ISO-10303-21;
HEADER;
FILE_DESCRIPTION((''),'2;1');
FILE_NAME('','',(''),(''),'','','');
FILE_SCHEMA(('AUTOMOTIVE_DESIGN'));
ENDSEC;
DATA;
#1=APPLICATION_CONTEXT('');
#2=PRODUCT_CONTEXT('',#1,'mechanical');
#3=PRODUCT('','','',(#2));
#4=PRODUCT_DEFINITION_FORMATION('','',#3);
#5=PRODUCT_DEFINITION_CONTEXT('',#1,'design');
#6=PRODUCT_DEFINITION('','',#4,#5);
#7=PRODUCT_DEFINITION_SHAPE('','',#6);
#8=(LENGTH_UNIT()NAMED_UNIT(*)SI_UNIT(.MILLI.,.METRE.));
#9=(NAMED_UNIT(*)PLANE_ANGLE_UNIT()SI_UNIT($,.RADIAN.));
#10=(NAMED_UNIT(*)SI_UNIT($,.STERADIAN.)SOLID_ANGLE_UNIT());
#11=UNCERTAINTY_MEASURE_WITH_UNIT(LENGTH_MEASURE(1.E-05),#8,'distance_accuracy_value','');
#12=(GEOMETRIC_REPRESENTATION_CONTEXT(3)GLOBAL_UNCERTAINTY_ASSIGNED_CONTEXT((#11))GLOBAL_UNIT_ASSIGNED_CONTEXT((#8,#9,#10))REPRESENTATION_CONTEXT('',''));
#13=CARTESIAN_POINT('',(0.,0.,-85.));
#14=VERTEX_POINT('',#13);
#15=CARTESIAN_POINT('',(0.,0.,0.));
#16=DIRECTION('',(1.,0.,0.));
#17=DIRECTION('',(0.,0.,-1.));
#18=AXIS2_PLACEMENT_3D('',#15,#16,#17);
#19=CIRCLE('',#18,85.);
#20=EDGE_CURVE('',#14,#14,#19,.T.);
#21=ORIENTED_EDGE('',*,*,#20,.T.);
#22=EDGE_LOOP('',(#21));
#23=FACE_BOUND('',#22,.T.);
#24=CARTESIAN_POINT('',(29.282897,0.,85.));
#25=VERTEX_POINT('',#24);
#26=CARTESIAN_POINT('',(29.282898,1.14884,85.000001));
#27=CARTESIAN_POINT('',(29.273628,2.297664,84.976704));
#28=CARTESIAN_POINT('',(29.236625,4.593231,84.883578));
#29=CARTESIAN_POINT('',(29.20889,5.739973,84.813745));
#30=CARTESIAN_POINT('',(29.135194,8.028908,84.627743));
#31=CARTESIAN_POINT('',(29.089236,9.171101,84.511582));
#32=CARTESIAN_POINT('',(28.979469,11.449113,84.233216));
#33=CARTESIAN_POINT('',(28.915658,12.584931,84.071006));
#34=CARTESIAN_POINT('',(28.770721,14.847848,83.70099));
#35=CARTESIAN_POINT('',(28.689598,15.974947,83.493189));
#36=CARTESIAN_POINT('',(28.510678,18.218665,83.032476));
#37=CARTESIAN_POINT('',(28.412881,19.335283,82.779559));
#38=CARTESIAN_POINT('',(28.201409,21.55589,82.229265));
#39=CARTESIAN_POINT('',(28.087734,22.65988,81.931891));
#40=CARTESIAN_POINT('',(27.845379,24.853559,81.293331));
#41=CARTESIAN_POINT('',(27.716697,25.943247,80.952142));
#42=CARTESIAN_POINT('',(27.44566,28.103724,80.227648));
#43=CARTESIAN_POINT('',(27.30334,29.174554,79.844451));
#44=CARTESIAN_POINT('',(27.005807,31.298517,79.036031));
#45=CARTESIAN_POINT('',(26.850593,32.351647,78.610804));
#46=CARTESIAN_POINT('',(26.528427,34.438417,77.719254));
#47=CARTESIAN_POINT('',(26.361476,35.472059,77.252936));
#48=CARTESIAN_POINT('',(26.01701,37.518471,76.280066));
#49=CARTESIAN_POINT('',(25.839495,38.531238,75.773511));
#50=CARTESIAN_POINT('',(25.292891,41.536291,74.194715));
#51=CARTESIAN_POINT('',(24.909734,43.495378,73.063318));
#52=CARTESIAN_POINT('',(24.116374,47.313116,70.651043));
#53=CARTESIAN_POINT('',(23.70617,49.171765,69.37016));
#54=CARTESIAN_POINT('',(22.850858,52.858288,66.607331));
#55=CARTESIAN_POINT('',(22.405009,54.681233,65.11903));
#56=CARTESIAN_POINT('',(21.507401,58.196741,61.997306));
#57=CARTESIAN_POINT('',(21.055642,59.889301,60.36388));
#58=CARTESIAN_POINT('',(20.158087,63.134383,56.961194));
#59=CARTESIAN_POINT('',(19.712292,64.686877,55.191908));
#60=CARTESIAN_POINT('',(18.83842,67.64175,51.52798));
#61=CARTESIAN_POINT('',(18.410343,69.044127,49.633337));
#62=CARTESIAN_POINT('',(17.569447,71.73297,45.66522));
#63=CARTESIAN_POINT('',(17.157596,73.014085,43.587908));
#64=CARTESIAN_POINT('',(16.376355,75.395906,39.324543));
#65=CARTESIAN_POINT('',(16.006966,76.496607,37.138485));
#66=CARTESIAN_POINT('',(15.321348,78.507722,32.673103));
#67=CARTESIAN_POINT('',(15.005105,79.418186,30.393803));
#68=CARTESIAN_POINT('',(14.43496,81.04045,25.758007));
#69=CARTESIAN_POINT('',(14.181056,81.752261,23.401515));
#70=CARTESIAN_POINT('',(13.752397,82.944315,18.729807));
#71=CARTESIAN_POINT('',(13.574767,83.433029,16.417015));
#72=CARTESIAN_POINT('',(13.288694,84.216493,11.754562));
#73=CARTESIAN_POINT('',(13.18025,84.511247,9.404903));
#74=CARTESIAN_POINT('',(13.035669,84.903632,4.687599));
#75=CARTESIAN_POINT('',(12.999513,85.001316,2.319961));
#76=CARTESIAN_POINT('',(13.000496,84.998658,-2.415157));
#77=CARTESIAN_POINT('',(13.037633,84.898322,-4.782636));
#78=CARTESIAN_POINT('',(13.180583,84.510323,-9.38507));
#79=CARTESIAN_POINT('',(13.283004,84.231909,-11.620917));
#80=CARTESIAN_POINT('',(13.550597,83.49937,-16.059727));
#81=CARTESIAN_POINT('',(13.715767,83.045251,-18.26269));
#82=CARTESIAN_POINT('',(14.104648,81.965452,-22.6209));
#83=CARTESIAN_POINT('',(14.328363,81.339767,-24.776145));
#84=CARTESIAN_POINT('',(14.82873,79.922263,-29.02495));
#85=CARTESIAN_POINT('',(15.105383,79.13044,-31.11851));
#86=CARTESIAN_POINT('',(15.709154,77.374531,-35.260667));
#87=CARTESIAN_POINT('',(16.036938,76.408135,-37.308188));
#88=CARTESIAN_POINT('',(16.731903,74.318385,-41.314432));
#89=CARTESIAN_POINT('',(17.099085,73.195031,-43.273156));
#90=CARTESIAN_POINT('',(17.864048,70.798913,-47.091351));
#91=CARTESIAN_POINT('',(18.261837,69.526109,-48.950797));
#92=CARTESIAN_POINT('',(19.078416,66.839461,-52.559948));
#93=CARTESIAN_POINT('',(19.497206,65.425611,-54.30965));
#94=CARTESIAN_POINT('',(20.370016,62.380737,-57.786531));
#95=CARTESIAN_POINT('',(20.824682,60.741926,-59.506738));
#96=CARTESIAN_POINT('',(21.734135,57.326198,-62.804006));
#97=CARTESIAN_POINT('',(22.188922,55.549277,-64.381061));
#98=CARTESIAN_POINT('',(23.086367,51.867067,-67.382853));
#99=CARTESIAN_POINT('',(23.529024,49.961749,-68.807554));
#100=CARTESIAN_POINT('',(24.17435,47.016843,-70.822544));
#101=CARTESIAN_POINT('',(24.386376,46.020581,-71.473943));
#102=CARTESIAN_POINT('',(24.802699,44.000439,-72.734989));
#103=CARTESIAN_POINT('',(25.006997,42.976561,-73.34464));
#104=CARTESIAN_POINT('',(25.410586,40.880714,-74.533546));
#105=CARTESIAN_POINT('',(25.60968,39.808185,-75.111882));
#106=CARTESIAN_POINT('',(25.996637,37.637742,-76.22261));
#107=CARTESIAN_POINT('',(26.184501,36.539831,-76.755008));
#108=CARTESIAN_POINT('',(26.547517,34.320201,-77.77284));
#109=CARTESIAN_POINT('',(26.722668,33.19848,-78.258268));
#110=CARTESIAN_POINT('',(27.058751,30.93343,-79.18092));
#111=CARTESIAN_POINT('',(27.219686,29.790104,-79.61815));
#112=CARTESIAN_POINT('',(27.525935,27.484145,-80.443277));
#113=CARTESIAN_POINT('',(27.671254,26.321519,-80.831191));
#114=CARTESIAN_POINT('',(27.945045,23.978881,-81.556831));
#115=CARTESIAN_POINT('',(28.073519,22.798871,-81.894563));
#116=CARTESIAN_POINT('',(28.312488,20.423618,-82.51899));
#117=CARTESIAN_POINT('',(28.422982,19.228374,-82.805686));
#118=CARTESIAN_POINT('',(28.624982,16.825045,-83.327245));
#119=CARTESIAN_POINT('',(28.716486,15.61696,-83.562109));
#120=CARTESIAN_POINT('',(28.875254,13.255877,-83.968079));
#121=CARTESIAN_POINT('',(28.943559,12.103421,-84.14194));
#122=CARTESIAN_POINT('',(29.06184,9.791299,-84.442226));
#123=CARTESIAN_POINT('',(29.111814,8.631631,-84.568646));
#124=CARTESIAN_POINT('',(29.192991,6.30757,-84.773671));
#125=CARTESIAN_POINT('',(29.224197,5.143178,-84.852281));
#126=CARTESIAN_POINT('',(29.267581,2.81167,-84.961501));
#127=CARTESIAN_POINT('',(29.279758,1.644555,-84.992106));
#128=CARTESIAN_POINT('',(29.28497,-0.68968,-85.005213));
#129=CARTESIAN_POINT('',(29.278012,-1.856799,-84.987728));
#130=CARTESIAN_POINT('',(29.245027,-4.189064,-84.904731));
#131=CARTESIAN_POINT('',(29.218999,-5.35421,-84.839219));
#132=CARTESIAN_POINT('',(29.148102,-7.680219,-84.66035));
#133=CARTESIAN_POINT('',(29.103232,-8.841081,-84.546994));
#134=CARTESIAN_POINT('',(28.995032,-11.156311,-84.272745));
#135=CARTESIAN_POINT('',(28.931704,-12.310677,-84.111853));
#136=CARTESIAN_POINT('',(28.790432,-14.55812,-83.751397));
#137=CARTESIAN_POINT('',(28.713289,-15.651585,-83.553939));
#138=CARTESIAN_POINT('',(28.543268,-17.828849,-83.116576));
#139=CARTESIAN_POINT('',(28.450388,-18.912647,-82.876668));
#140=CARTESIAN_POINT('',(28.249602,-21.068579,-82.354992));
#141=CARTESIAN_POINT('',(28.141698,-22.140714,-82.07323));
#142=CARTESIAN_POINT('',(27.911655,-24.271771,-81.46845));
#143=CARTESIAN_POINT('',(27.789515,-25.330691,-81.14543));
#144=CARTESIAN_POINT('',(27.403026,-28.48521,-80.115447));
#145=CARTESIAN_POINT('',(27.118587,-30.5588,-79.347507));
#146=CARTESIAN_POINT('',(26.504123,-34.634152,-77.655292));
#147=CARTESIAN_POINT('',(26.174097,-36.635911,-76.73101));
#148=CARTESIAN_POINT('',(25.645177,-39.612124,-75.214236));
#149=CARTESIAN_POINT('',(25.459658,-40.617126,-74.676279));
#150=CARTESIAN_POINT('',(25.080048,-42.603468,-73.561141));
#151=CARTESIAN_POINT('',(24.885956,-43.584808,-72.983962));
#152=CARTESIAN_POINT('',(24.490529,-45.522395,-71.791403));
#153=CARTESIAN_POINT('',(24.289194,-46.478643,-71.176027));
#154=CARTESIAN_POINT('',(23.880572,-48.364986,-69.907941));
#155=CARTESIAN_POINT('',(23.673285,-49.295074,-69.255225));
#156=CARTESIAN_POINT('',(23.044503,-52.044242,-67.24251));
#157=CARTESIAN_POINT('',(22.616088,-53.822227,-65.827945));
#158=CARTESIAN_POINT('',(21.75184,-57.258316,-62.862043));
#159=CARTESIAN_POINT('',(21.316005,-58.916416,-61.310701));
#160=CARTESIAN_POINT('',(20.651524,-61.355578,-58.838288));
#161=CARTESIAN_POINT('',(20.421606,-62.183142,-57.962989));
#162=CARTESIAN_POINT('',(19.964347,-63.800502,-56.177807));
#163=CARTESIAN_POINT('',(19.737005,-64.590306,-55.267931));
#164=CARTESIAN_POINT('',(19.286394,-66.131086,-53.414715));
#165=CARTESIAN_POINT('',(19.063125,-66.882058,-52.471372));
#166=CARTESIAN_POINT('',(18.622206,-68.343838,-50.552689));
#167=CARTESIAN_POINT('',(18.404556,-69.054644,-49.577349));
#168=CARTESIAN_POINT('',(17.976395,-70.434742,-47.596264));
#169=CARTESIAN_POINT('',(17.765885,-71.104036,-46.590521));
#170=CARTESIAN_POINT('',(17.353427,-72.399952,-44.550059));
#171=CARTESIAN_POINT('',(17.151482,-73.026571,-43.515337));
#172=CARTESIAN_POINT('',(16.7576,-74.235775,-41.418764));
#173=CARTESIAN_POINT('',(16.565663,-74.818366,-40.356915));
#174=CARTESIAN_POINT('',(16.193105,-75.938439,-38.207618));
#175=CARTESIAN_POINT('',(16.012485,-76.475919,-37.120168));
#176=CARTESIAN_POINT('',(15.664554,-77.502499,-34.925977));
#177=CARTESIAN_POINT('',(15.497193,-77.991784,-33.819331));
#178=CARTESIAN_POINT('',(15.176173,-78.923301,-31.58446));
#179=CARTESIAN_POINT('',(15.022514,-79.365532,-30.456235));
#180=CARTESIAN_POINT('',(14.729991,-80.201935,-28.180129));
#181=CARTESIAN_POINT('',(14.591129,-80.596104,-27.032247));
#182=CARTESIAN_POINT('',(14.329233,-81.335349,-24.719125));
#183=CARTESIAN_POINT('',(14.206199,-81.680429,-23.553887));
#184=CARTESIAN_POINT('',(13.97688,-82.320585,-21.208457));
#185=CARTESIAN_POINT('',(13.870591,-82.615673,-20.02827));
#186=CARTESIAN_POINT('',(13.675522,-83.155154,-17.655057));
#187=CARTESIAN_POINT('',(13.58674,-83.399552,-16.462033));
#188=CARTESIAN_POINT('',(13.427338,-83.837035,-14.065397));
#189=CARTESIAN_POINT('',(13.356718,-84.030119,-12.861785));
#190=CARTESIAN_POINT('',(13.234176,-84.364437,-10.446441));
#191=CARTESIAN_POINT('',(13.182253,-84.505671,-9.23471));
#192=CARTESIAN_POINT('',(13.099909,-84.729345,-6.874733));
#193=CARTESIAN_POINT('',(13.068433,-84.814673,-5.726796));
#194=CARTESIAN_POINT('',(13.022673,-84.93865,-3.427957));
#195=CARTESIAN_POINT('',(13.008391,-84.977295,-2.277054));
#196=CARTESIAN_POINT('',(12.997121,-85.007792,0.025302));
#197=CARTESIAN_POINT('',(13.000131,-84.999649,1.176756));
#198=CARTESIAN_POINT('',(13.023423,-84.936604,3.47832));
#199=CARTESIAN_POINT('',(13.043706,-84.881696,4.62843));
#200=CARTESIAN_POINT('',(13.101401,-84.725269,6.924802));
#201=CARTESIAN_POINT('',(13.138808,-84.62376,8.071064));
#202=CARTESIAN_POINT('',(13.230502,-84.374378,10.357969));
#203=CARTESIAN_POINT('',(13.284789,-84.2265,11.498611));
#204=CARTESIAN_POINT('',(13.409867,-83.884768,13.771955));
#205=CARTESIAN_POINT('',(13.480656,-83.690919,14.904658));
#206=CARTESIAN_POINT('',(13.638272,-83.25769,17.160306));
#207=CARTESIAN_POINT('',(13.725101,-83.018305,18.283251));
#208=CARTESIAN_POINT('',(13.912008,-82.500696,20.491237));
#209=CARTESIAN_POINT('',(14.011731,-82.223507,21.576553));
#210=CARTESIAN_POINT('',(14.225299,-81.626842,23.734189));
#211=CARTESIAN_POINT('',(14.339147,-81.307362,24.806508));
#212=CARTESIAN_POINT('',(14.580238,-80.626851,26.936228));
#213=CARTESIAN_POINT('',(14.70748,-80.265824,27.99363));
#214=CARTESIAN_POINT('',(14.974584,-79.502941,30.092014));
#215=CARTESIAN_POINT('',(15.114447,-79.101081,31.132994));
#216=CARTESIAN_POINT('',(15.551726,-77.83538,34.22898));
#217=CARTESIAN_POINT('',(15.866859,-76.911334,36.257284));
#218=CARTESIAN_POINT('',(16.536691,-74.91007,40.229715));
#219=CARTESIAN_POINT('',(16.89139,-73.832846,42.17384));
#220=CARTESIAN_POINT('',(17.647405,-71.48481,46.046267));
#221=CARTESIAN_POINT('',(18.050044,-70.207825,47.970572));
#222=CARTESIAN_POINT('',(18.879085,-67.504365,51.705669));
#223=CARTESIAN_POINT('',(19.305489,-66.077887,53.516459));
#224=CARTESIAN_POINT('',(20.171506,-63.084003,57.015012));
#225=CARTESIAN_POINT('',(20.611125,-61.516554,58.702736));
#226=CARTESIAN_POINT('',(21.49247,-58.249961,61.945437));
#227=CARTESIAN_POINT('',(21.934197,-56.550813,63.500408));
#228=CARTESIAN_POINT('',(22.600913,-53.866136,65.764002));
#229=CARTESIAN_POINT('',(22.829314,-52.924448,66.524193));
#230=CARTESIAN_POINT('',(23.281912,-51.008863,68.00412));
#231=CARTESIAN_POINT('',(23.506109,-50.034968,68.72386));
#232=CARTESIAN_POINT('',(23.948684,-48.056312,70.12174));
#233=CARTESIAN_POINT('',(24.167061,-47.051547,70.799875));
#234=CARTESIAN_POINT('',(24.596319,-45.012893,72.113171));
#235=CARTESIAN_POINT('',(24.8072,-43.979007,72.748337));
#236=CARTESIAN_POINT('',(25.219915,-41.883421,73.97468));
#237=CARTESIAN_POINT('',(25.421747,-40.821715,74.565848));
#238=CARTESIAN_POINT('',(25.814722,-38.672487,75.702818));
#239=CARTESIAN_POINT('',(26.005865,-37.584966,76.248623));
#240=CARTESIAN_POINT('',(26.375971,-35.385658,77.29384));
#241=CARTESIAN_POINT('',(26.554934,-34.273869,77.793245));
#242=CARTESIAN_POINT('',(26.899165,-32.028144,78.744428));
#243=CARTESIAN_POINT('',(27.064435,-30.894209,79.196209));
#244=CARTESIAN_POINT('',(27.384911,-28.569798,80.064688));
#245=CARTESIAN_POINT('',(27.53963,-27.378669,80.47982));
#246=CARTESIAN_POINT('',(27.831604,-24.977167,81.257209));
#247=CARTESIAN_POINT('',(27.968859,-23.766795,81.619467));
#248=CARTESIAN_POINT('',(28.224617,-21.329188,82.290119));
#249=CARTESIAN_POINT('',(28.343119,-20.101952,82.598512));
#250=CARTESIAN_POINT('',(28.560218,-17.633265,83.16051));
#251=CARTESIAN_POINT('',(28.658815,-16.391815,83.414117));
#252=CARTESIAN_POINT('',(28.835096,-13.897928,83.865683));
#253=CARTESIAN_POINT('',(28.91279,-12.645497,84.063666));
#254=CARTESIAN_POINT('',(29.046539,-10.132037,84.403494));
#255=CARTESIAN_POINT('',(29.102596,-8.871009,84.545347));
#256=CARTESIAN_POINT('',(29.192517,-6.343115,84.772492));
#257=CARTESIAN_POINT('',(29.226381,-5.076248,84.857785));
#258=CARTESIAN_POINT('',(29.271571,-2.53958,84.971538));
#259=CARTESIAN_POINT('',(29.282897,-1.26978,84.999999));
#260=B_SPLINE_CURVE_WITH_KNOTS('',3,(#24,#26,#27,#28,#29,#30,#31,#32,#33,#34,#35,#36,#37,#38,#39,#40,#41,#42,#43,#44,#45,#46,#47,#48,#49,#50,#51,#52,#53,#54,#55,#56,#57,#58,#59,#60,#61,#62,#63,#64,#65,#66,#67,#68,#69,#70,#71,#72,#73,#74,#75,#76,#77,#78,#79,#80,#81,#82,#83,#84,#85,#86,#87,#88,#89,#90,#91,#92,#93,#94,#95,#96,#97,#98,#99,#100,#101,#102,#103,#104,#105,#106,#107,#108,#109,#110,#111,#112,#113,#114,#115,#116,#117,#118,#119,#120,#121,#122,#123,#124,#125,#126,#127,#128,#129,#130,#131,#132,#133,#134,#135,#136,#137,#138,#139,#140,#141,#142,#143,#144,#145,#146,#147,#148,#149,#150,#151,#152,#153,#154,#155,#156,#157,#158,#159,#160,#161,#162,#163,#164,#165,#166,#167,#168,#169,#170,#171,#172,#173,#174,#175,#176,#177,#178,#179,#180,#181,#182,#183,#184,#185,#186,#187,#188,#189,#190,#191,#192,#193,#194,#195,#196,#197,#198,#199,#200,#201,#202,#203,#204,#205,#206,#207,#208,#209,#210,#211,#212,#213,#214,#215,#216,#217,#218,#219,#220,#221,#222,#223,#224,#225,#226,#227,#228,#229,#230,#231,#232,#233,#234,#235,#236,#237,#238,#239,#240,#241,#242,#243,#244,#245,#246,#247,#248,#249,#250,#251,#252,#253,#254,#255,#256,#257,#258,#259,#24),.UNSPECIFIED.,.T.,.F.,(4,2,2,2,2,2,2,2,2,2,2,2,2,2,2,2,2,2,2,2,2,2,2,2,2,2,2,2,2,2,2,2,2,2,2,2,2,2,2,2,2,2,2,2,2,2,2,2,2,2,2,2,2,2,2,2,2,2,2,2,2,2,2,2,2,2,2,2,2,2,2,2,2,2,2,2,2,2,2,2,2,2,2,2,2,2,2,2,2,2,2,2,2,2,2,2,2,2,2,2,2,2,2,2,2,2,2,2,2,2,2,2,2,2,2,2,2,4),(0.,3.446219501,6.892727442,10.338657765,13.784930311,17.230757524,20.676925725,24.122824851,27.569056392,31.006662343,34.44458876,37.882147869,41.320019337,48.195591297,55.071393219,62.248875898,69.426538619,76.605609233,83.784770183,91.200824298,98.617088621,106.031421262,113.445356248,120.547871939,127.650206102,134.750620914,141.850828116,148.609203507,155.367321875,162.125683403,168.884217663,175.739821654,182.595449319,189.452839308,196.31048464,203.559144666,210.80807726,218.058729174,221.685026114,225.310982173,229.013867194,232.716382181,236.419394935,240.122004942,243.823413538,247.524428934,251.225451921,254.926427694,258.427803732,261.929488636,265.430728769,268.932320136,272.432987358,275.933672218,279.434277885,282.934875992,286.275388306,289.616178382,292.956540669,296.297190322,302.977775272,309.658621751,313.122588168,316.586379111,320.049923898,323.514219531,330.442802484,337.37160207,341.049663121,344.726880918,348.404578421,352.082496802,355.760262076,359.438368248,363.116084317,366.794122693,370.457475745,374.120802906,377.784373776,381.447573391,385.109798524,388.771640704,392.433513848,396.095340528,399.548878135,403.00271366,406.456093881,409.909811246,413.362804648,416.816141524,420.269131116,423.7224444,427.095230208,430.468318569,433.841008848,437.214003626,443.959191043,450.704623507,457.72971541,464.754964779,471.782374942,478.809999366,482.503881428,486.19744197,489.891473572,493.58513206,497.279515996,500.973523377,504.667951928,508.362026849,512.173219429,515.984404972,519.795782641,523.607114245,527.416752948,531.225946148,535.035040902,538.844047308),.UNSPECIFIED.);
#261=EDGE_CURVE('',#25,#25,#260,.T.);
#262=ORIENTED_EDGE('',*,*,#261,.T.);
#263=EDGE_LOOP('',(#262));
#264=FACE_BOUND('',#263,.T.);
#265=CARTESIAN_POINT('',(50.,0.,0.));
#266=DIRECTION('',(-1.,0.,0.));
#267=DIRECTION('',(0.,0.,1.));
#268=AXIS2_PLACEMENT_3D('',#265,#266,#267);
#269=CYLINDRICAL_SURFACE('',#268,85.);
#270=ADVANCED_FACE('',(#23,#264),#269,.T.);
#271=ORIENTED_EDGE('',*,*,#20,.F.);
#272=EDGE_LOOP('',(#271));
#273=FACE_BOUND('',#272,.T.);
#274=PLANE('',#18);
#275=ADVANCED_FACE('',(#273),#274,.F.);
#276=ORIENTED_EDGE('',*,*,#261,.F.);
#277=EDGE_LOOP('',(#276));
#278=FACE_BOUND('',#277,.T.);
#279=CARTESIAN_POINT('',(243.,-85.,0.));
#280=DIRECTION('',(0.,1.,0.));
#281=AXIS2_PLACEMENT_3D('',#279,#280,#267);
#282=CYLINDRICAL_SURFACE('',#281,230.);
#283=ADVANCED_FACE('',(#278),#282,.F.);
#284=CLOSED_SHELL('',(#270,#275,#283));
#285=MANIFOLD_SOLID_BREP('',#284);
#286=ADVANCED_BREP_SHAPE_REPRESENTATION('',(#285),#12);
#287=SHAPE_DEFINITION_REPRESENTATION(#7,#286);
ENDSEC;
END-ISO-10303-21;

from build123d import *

# Parameters (mm, degrees)
SKETCH_1_R               = 85
EXTRUDE_1_DEPTH          = 50
CUT_EXTRUDE_1_DEPTH      = 131.192165663
CUT_EXTRUDE_1_DEPTH_BACK = 131.192165663
SKETCH_2_R               = 230


with BuildPart() as part:
    # Эскиз1 → Бобышка-Вытянуть1 (new body)
    with BuildSketch(Plane(origin=(0, 0, 0), x_dir=(0, 0, -1), z_dir=(1, 0, 0))):
        Circle(SKETCH_1_R)
    extrude(amount=EXTRUDE_1_DEPTH)

    # Эскиз2 → Вырез-Вытянуть1 (cut, two sides: drawn at the far end of the back side and taken through both)
    with BuildSketch(Plane(origin=(0, 0, 0), x_dir=(1, 0, 0), z_dir=(0, 1, 0)).offset(-CUT_EXTRUDE_1_DEPTH_BACK)):
        with Locations((243, 0)):
            Circle(SKETCH_2_R)
    extrude(amount=CUT_EXTRUDE_1_DEPTH + CUT_EXTRUDE_1_DEPTH_BACK, mode=Mode.SUBTRACT)


solid = part.part
